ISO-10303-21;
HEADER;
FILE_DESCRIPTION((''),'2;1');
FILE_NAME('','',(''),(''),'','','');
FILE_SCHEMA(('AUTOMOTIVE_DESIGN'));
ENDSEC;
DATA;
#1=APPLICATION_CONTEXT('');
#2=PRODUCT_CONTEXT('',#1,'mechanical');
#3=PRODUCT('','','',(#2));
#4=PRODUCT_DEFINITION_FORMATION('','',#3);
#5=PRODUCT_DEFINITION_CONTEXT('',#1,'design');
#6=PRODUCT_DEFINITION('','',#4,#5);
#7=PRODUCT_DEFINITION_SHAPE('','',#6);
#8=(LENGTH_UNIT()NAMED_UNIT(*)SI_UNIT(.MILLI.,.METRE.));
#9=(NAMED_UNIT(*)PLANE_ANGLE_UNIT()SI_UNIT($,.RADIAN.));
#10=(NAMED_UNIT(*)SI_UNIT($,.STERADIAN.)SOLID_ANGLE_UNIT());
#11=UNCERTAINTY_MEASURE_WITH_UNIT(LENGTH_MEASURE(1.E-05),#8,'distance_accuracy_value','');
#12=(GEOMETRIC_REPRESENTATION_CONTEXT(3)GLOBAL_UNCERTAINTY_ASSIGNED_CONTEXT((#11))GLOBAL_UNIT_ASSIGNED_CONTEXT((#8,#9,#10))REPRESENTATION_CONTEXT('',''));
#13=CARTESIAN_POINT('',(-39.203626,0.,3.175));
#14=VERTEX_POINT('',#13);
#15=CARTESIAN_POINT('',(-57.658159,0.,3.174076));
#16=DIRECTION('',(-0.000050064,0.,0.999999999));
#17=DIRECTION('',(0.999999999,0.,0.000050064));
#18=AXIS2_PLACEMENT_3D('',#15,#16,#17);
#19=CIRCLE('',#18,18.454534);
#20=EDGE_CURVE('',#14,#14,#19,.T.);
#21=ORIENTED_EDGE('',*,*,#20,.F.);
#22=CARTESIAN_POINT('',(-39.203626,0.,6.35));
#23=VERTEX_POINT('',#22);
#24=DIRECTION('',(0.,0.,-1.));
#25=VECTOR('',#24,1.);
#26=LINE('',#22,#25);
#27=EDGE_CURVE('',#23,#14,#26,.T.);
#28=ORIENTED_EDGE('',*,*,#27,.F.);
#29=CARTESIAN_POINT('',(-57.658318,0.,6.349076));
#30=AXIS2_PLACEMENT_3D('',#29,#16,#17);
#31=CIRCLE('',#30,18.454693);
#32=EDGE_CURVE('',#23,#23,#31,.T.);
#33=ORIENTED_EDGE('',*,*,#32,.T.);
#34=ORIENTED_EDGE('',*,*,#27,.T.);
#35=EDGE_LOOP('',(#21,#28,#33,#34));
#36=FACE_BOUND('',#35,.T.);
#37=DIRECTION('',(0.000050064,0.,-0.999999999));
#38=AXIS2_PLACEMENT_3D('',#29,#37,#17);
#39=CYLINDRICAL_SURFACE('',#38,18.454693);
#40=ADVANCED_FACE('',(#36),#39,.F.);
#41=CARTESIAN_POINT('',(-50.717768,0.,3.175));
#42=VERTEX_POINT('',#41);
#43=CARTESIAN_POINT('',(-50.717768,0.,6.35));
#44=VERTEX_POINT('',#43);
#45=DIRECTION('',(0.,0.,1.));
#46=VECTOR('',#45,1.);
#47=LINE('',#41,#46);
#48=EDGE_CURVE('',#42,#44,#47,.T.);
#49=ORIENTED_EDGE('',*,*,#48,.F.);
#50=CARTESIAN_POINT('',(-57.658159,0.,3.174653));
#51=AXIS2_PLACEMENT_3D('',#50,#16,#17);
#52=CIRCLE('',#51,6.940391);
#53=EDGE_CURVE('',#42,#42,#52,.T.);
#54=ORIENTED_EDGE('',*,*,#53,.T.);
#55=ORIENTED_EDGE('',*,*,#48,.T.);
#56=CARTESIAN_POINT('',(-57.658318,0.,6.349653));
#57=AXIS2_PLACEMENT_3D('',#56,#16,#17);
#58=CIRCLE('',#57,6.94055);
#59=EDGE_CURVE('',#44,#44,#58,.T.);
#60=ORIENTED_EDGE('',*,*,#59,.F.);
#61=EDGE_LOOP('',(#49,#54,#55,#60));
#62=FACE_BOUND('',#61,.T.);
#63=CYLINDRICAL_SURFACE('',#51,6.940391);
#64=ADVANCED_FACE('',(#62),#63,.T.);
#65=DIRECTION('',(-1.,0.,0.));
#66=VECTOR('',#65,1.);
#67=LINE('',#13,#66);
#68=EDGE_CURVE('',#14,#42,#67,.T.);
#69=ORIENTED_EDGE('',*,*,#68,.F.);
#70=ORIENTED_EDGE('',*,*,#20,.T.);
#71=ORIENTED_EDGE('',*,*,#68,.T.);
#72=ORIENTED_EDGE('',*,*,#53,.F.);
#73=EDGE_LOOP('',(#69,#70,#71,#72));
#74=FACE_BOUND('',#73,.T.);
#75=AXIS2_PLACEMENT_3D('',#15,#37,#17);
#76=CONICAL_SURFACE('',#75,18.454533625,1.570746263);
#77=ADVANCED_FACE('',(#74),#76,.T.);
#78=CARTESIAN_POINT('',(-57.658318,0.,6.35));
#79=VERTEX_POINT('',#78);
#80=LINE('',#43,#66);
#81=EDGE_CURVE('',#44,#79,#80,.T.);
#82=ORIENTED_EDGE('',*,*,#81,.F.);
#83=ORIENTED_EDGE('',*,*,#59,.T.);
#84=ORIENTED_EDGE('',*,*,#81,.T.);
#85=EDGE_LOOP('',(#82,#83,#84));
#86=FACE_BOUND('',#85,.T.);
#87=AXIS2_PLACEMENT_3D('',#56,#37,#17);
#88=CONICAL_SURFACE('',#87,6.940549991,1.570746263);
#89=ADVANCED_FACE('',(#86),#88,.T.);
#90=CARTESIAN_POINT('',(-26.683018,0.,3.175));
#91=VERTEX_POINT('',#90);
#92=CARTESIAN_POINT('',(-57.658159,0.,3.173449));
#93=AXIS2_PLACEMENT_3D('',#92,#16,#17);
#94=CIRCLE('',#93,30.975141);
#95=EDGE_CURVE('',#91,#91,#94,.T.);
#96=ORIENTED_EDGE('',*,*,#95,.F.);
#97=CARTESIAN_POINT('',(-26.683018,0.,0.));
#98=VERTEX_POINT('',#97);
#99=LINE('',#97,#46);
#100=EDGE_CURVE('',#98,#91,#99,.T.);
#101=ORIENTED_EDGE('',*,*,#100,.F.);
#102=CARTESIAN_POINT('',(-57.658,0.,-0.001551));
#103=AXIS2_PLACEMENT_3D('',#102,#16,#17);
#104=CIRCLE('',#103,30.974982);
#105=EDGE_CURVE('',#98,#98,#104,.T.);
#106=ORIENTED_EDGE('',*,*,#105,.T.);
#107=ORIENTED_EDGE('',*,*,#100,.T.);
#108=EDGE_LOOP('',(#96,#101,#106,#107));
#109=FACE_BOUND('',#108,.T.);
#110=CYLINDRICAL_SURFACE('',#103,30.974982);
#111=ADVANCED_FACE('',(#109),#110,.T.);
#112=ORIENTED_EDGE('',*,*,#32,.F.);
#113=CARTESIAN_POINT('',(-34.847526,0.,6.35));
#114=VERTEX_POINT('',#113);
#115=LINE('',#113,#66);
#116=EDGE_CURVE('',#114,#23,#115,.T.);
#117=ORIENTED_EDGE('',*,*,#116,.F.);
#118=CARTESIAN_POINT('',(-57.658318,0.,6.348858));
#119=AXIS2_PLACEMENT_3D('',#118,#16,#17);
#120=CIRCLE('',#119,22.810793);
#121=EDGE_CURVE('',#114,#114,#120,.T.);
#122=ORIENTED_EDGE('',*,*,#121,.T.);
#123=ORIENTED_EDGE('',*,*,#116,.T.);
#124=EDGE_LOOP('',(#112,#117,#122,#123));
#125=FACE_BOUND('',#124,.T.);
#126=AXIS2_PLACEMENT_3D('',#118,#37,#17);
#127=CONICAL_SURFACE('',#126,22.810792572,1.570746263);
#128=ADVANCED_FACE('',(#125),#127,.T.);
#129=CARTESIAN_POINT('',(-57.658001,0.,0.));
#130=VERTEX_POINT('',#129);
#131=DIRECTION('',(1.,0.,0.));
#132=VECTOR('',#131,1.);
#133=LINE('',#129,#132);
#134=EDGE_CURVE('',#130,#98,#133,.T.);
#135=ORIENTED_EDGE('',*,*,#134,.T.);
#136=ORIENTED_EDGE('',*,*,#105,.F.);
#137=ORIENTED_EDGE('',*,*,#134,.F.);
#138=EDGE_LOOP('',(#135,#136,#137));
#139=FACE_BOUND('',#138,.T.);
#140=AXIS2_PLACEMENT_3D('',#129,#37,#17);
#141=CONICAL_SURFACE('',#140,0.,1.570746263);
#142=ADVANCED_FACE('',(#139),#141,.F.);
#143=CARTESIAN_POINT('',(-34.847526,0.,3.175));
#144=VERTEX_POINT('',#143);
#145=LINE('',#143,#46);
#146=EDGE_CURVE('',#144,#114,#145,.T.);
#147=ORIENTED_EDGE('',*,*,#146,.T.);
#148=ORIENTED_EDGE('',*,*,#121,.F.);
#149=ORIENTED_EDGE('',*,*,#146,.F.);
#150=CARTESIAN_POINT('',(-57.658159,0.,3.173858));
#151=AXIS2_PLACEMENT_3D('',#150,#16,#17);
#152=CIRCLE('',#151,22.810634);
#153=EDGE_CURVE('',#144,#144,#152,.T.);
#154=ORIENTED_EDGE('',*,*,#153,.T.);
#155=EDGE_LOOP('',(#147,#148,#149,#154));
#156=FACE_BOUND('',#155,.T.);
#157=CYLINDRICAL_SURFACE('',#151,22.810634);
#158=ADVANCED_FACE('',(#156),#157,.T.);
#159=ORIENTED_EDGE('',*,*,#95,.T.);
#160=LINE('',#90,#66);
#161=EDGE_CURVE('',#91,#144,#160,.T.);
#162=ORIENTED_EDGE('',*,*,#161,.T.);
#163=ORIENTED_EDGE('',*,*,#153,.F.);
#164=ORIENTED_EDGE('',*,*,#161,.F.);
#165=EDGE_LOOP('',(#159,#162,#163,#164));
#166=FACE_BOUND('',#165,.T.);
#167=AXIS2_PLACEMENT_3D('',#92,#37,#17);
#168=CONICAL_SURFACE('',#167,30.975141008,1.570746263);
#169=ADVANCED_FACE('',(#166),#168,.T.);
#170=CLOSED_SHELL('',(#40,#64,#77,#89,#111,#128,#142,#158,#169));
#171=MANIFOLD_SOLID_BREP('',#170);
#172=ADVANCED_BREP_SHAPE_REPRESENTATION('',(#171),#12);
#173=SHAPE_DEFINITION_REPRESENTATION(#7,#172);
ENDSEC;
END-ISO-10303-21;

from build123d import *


with BuildPart() as f1:
    # F0 (on Front) → F1 (revolve)
    with BuildSketch(Plane.XZ):
        Polygon((-50.7177684302, 6.3500000622), (-57.6583184302, 6.3500000622), (-57.6580005249, 6.22e-08), (-26.6830184302, 6.22e-08), (-26.6830184302, 3.1750000622), (-34.847525829, 3.1750000622), (-34.847525829, 6.3500000622), (-39.203625829, 6.3500000622), (-39.203625829, 3.1750000622), (-50.7177684302, 3.1750000622), align=None)
    revolve(axis=Axis((-57.6581594775, 0, 3.1750000622), (-5.00638e-05, 0, 0.9999999987)))


solid = f1.part
